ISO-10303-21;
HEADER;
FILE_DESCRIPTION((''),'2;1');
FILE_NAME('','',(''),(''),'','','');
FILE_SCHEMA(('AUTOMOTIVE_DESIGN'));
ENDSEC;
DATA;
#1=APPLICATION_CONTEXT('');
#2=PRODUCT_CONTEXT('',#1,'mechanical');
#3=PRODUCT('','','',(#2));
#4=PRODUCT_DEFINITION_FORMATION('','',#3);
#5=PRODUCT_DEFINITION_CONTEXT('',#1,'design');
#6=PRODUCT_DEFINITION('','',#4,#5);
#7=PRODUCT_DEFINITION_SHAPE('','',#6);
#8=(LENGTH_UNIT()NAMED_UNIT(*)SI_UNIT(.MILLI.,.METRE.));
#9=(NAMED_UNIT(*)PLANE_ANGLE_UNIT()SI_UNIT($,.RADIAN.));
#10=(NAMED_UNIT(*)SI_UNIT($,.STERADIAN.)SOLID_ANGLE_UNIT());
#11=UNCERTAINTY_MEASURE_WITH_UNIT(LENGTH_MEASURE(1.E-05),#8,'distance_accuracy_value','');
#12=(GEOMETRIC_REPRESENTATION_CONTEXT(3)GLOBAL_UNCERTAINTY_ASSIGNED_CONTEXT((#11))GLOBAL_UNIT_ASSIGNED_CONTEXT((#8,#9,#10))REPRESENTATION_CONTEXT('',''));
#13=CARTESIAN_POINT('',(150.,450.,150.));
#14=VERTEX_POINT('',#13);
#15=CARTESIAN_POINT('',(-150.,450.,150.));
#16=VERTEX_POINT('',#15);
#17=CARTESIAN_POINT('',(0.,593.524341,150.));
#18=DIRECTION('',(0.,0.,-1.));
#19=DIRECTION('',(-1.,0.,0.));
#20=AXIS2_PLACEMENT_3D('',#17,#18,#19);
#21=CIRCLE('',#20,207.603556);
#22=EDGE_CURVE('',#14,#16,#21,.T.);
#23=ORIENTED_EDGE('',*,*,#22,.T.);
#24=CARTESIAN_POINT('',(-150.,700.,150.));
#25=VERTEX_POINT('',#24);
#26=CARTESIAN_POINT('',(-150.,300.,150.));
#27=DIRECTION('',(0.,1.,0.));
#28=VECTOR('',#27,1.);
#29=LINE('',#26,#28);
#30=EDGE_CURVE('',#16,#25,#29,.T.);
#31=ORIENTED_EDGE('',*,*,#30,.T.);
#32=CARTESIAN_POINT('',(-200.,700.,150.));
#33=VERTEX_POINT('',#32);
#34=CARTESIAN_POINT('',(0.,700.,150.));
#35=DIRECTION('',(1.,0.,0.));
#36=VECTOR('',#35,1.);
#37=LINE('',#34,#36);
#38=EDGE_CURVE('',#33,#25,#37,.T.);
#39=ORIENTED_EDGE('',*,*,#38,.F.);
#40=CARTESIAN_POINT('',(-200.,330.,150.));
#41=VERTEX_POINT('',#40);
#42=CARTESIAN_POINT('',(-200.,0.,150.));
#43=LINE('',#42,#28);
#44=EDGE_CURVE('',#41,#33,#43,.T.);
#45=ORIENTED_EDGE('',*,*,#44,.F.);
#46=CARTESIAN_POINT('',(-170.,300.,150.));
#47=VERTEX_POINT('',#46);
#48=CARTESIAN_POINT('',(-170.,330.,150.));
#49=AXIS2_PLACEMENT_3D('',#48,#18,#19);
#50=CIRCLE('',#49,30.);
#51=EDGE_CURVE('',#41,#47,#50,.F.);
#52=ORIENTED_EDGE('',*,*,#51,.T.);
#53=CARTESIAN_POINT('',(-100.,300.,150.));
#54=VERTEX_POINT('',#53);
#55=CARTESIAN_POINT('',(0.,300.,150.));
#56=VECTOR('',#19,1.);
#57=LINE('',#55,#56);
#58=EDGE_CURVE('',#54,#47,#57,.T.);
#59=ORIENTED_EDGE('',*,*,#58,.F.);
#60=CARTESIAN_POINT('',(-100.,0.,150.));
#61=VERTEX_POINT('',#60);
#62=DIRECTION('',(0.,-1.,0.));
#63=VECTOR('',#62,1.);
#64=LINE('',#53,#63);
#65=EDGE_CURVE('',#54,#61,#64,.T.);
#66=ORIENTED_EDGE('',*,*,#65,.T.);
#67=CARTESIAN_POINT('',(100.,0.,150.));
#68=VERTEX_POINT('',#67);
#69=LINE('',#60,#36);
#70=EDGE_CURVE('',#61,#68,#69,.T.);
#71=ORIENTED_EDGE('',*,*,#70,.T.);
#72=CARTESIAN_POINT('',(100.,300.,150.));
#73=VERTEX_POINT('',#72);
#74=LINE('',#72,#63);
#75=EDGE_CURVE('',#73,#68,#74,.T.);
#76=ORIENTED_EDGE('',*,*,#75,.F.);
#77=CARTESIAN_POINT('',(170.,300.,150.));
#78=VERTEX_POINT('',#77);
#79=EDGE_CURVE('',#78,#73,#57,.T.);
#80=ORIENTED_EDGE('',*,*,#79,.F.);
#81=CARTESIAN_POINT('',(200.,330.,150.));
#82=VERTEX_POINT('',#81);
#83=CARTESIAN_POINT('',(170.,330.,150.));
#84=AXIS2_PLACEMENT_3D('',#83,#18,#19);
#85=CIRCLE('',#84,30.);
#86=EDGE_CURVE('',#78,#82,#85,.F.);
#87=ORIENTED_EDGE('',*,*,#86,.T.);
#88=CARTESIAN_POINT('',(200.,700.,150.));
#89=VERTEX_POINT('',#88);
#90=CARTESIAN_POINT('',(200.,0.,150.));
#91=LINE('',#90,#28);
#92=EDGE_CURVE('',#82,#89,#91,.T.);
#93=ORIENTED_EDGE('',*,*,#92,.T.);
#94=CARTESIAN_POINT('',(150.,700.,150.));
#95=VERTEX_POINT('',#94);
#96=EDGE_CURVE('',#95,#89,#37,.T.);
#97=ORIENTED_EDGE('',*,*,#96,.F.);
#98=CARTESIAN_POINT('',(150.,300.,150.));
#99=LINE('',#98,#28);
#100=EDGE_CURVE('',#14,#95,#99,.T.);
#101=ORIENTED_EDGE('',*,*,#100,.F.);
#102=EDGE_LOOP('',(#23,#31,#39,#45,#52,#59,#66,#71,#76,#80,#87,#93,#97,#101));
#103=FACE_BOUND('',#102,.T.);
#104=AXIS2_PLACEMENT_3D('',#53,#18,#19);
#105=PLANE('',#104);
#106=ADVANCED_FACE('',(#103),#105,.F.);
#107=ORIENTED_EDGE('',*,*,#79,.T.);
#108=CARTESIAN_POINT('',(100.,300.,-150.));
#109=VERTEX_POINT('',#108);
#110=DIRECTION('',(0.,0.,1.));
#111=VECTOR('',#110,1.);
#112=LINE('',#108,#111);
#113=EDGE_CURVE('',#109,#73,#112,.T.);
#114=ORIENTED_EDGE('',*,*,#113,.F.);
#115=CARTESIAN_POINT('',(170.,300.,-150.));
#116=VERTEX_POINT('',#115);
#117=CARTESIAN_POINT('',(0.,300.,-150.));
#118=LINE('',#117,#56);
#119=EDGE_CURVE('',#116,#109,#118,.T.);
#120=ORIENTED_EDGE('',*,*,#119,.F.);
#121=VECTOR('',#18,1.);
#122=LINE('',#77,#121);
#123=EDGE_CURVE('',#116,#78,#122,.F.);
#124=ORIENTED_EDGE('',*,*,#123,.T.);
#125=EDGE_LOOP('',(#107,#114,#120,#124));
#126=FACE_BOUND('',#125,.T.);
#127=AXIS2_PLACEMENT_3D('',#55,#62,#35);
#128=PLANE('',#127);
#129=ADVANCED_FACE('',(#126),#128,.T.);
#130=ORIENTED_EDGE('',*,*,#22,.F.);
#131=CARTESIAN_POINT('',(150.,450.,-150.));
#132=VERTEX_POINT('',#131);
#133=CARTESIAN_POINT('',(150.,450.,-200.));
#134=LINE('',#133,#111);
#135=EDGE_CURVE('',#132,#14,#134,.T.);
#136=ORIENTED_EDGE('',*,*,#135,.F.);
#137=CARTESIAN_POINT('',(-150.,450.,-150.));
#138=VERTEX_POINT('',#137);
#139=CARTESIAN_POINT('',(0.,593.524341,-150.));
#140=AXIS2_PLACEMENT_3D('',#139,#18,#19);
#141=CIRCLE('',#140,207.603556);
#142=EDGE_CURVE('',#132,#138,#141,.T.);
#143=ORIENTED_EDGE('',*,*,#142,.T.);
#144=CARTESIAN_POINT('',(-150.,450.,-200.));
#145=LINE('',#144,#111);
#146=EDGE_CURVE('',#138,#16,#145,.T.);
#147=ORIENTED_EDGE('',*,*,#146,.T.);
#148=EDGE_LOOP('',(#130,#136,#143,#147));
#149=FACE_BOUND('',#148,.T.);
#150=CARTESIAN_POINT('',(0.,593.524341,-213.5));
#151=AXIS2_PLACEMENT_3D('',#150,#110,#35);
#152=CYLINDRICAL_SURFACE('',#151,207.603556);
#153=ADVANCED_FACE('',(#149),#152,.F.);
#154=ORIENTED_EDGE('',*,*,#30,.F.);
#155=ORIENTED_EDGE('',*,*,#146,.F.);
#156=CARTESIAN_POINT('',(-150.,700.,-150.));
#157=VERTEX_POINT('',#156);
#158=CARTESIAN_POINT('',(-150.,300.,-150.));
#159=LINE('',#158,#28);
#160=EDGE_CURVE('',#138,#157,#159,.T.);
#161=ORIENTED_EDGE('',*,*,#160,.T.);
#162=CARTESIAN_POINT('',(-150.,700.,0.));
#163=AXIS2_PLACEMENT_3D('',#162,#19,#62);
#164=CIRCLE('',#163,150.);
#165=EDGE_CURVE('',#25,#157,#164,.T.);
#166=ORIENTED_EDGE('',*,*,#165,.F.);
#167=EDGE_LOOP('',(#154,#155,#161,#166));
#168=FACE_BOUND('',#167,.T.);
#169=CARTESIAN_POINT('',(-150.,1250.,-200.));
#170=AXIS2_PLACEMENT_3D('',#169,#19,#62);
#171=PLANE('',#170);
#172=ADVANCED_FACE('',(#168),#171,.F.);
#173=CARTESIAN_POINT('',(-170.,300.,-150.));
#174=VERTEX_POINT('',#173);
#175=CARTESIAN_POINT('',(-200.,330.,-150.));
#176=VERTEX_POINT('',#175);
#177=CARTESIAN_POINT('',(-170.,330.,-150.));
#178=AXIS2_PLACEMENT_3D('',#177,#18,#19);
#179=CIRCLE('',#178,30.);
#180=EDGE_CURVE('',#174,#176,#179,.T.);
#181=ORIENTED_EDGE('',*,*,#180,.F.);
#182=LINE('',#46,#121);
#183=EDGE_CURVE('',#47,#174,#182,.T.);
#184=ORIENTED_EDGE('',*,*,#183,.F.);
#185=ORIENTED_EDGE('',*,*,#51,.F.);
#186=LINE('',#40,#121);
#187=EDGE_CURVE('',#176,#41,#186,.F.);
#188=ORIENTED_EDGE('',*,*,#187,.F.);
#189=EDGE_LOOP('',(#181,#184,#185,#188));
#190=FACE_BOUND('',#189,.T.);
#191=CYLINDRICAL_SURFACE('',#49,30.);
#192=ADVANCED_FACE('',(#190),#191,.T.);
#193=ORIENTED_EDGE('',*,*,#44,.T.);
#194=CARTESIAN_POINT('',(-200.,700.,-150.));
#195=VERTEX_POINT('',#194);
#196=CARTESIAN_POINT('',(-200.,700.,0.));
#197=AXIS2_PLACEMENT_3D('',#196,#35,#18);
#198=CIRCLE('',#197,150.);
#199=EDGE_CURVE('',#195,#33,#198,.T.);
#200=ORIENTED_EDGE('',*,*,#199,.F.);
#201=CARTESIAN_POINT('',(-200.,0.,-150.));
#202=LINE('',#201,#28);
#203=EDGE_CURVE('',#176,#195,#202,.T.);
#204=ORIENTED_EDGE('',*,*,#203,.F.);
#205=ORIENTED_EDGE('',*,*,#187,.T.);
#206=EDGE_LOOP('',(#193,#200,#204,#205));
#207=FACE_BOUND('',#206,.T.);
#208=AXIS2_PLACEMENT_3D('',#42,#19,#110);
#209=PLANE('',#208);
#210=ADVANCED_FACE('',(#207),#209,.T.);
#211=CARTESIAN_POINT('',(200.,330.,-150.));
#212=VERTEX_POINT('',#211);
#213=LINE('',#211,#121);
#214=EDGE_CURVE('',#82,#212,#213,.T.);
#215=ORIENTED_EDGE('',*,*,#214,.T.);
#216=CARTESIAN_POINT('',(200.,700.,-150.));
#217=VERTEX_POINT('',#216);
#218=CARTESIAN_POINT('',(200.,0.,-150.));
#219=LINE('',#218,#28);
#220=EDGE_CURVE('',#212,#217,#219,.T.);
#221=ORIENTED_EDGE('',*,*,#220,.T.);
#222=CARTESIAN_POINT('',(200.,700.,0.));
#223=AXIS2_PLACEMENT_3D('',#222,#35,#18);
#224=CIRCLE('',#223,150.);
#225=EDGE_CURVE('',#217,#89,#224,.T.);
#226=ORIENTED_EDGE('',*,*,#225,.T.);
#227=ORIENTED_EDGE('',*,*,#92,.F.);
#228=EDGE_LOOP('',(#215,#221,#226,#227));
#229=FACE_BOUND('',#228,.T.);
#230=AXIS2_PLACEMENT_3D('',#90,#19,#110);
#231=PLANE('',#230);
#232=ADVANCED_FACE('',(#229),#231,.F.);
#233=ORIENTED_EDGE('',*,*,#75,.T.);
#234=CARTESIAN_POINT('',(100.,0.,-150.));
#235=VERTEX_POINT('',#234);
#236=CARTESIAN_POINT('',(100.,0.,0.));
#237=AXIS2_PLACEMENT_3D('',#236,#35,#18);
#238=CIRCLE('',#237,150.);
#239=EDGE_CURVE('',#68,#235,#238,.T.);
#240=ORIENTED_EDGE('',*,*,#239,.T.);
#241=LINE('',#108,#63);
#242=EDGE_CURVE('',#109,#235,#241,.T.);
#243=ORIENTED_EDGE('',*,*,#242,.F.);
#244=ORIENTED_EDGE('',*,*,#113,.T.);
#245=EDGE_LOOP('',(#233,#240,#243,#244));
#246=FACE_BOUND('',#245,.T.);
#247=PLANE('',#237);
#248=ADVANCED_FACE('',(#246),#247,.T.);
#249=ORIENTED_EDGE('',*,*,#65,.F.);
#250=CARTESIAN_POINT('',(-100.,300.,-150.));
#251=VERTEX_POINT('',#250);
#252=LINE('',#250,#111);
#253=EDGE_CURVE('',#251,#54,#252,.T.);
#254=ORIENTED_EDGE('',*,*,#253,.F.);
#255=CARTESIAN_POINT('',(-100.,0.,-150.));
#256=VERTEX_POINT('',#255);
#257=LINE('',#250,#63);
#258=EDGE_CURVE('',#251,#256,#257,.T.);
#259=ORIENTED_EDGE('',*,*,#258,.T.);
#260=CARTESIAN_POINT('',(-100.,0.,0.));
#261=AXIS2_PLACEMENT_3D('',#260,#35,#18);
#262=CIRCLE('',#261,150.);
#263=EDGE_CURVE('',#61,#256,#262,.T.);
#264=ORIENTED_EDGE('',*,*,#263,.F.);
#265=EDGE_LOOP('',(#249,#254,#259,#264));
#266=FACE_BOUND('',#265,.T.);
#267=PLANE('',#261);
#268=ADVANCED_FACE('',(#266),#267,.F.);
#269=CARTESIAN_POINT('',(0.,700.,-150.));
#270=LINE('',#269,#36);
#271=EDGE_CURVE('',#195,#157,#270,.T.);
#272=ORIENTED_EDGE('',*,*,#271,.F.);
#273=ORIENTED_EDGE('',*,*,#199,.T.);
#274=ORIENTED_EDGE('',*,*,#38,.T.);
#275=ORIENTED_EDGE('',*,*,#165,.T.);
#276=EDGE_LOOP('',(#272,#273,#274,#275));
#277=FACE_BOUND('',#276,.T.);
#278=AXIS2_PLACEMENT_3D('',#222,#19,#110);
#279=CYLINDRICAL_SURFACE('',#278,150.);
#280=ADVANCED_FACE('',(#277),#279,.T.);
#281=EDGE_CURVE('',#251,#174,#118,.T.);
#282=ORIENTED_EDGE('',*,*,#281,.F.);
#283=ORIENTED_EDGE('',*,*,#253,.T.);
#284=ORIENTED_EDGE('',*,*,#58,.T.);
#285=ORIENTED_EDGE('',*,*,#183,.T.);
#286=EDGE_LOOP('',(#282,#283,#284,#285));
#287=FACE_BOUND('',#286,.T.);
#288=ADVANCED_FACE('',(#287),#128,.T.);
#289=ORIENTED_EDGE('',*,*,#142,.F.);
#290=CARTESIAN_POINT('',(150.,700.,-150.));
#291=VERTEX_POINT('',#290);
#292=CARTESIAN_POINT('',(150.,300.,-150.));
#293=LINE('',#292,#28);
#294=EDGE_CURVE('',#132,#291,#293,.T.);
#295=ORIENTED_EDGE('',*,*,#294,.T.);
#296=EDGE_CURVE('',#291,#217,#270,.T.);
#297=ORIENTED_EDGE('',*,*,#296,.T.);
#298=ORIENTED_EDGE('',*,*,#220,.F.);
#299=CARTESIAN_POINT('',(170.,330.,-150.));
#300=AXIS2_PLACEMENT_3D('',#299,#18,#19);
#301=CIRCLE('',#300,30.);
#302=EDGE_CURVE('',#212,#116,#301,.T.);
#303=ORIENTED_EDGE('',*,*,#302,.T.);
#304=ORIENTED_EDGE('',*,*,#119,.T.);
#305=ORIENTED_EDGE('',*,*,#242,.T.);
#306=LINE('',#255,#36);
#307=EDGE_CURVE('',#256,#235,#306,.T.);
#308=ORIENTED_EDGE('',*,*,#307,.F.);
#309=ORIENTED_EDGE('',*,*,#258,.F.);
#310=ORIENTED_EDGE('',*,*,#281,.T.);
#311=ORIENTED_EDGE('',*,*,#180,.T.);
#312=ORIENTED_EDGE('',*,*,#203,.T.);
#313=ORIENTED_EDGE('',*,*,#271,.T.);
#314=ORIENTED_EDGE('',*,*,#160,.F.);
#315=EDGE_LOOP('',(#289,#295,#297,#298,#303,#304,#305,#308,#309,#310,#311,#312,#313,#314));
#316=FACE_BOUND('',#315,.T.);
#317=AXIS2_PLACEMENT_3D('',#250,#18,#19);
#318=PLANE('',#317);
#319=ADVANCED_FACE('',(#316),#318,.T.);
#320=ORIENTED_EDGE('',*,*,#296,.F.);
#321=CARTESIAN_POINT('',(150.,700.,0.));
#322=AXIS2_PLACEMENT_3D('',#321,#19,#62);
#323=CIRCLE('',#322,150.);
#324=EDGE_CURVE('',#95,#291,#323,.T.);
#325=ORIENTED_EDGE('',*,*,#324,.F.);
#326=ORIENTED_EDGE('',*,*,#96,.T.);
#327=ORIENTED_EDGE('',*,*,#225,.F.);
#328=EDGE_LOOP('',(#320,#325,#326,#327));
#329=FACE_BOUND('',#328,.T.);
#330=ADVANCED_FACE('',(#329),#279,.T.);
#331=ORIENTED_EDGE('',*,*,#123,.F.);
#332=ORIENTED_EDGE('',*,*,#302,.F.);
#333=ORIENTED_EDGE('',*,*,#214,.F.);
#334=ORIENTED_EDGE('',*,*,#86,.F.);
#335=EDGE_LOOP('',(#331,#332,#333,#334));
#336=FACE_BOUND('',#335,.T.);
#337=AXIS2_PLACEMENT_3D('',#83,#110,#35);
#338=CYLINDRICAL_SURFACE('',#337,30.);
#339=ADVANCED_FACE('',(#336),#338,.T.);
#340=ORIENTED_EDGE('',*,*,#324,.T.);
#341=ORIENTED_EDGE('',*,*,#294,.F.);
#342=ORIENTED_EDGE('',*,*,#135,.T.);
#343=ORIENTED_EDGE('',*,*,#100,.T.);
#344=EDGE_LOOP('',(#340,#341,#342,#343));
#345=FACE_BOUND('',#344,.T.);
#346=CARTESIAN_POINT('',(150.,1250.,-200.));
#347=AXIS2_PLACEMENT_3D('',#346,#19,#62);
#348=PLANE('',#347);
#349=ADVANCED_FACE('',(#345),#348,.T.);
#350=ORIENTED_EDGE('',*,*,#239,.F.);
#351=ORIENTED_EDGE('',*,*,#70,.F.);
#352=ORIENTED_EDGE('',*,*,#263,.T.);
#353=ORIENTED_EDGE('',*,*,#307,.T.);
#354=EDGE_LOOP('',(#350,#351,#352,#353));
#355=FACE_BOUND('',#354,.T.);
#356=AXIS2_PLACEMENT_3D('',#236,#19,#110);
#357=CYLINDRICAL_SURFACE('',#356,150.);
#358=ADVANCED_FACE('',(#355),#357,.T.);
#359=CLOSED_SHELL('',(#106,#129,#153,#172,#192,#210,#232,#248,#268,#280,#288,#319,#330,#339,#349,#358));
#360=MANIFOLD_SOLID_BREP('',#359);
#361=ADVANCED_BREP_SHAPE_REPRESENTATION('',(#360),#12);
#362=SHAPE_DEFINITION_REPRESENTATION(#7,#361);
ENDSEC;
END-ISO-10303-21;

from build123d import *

# Parameters (mm, degrees)
SKETCH_1_R          = 150
EXTRUDE_1_DEPTH     = 100
SKETCH_2_W          = 200
SKETCH_2_H          = 300
EXTRUDE_2_DEPTH     = 300
EXTRUDE_4_DEPTH     = 150
SKETCH_6_R          = 150
EXTRUDE_5_DEPTH     = 200
SKETCH_7_W          = 300
SKETCH_7_H          = 800
CUT_EXTRUDE_1_DEPTH = 200
FILLET_1_R          = 30
FILLET_2_R          = 30
CUT_EXTRUDE_3_DEPTH = 213.5


with BuildPart() as part:
    # 草图1 → 凸台-拉伸1 (new, symmetric)
    with BuildSketch(Plane(origin=(0, 0, 0), x_dir=(0, 0, -1), z_dir=(1, 0, 0))):
        Circle(SKETCH_1_R)
    extrude(amount=EXTRUDE_1_DEPTH, both=True)

    # 草图2 → 凸台-拉伸2 (add)
    with BuildSketch(Plane(origin=(0, 0, 0), x_dir=(1, 0, 0), z_dir=(0, 1, 0))):
        Rectangle(SKETCH_2_W, SKETCH_2_H)
    extrude(amount=EXTRUDE_2_DEPTH)

    # 草图5 → 凸台-拉伸4 (add, symmetric)
    with BuildSketch(Plane.XY):
        Polygon((-200, 300), (-200, 700), (0, 700), (200, 700), (200, 300), (0, 300), align=None)
    extrude(amount=EXTRUDE_4_DEPTH, both=True)

    # 草图6 → 凸台-拉伸5 (add, symmetric)
    with BuildSketch(Plane(origin=(0, 0, 0), x_dir=(0, 0, -1), z_dir=(1, 0, 0))):
        with Locations((0, 700)):
            Circle(SKETCH_6_R)
    extrude(amount=EXTRUDE_5_DEPTH, both=True)

    # 草图7 → 切除-拉伸1 (cut, symmetric)
    with BuildSketch(Plane.XY):
        with Locations((0, 850)):
            Rectangle(SKETCH_7_W, SKETCH_7_H)
    extrude(amount=CUT_EXTRUDE_1_DEPTH, both=True, mode=Mode.SUBTRACT)

    # 圆角1
    fillet_1_edges = [part.edges().sort_by_distance(p)[0] for p in [
        (-200, 300, 0),
    ]]
    fillet(fillet_1_edges, radius=FILLET_1_R)

    # 圆角2
    fillet_2_edges = [part.edges().sort_by_distance(p)[0] for p in [
        (200, 300, 0),
    ]]
    fillet(fillet_2_edges, radius=FILLET_2_R)

    # 草图9 → 切除-拉伸3 (cut, symmetric)
    with BuildSketch(Plane.XY):
        with BuildLine():
            Line((-150, 450), (150, 450))
            ThreePointArc((150, 450), (0, 385.920784964), (-150, 450))
        make_face()
    extrude(amount=CUT_EXTRUDE_3_DEPTH, both=True, mode=Mode.SUBTRACT)


solid = part.part
